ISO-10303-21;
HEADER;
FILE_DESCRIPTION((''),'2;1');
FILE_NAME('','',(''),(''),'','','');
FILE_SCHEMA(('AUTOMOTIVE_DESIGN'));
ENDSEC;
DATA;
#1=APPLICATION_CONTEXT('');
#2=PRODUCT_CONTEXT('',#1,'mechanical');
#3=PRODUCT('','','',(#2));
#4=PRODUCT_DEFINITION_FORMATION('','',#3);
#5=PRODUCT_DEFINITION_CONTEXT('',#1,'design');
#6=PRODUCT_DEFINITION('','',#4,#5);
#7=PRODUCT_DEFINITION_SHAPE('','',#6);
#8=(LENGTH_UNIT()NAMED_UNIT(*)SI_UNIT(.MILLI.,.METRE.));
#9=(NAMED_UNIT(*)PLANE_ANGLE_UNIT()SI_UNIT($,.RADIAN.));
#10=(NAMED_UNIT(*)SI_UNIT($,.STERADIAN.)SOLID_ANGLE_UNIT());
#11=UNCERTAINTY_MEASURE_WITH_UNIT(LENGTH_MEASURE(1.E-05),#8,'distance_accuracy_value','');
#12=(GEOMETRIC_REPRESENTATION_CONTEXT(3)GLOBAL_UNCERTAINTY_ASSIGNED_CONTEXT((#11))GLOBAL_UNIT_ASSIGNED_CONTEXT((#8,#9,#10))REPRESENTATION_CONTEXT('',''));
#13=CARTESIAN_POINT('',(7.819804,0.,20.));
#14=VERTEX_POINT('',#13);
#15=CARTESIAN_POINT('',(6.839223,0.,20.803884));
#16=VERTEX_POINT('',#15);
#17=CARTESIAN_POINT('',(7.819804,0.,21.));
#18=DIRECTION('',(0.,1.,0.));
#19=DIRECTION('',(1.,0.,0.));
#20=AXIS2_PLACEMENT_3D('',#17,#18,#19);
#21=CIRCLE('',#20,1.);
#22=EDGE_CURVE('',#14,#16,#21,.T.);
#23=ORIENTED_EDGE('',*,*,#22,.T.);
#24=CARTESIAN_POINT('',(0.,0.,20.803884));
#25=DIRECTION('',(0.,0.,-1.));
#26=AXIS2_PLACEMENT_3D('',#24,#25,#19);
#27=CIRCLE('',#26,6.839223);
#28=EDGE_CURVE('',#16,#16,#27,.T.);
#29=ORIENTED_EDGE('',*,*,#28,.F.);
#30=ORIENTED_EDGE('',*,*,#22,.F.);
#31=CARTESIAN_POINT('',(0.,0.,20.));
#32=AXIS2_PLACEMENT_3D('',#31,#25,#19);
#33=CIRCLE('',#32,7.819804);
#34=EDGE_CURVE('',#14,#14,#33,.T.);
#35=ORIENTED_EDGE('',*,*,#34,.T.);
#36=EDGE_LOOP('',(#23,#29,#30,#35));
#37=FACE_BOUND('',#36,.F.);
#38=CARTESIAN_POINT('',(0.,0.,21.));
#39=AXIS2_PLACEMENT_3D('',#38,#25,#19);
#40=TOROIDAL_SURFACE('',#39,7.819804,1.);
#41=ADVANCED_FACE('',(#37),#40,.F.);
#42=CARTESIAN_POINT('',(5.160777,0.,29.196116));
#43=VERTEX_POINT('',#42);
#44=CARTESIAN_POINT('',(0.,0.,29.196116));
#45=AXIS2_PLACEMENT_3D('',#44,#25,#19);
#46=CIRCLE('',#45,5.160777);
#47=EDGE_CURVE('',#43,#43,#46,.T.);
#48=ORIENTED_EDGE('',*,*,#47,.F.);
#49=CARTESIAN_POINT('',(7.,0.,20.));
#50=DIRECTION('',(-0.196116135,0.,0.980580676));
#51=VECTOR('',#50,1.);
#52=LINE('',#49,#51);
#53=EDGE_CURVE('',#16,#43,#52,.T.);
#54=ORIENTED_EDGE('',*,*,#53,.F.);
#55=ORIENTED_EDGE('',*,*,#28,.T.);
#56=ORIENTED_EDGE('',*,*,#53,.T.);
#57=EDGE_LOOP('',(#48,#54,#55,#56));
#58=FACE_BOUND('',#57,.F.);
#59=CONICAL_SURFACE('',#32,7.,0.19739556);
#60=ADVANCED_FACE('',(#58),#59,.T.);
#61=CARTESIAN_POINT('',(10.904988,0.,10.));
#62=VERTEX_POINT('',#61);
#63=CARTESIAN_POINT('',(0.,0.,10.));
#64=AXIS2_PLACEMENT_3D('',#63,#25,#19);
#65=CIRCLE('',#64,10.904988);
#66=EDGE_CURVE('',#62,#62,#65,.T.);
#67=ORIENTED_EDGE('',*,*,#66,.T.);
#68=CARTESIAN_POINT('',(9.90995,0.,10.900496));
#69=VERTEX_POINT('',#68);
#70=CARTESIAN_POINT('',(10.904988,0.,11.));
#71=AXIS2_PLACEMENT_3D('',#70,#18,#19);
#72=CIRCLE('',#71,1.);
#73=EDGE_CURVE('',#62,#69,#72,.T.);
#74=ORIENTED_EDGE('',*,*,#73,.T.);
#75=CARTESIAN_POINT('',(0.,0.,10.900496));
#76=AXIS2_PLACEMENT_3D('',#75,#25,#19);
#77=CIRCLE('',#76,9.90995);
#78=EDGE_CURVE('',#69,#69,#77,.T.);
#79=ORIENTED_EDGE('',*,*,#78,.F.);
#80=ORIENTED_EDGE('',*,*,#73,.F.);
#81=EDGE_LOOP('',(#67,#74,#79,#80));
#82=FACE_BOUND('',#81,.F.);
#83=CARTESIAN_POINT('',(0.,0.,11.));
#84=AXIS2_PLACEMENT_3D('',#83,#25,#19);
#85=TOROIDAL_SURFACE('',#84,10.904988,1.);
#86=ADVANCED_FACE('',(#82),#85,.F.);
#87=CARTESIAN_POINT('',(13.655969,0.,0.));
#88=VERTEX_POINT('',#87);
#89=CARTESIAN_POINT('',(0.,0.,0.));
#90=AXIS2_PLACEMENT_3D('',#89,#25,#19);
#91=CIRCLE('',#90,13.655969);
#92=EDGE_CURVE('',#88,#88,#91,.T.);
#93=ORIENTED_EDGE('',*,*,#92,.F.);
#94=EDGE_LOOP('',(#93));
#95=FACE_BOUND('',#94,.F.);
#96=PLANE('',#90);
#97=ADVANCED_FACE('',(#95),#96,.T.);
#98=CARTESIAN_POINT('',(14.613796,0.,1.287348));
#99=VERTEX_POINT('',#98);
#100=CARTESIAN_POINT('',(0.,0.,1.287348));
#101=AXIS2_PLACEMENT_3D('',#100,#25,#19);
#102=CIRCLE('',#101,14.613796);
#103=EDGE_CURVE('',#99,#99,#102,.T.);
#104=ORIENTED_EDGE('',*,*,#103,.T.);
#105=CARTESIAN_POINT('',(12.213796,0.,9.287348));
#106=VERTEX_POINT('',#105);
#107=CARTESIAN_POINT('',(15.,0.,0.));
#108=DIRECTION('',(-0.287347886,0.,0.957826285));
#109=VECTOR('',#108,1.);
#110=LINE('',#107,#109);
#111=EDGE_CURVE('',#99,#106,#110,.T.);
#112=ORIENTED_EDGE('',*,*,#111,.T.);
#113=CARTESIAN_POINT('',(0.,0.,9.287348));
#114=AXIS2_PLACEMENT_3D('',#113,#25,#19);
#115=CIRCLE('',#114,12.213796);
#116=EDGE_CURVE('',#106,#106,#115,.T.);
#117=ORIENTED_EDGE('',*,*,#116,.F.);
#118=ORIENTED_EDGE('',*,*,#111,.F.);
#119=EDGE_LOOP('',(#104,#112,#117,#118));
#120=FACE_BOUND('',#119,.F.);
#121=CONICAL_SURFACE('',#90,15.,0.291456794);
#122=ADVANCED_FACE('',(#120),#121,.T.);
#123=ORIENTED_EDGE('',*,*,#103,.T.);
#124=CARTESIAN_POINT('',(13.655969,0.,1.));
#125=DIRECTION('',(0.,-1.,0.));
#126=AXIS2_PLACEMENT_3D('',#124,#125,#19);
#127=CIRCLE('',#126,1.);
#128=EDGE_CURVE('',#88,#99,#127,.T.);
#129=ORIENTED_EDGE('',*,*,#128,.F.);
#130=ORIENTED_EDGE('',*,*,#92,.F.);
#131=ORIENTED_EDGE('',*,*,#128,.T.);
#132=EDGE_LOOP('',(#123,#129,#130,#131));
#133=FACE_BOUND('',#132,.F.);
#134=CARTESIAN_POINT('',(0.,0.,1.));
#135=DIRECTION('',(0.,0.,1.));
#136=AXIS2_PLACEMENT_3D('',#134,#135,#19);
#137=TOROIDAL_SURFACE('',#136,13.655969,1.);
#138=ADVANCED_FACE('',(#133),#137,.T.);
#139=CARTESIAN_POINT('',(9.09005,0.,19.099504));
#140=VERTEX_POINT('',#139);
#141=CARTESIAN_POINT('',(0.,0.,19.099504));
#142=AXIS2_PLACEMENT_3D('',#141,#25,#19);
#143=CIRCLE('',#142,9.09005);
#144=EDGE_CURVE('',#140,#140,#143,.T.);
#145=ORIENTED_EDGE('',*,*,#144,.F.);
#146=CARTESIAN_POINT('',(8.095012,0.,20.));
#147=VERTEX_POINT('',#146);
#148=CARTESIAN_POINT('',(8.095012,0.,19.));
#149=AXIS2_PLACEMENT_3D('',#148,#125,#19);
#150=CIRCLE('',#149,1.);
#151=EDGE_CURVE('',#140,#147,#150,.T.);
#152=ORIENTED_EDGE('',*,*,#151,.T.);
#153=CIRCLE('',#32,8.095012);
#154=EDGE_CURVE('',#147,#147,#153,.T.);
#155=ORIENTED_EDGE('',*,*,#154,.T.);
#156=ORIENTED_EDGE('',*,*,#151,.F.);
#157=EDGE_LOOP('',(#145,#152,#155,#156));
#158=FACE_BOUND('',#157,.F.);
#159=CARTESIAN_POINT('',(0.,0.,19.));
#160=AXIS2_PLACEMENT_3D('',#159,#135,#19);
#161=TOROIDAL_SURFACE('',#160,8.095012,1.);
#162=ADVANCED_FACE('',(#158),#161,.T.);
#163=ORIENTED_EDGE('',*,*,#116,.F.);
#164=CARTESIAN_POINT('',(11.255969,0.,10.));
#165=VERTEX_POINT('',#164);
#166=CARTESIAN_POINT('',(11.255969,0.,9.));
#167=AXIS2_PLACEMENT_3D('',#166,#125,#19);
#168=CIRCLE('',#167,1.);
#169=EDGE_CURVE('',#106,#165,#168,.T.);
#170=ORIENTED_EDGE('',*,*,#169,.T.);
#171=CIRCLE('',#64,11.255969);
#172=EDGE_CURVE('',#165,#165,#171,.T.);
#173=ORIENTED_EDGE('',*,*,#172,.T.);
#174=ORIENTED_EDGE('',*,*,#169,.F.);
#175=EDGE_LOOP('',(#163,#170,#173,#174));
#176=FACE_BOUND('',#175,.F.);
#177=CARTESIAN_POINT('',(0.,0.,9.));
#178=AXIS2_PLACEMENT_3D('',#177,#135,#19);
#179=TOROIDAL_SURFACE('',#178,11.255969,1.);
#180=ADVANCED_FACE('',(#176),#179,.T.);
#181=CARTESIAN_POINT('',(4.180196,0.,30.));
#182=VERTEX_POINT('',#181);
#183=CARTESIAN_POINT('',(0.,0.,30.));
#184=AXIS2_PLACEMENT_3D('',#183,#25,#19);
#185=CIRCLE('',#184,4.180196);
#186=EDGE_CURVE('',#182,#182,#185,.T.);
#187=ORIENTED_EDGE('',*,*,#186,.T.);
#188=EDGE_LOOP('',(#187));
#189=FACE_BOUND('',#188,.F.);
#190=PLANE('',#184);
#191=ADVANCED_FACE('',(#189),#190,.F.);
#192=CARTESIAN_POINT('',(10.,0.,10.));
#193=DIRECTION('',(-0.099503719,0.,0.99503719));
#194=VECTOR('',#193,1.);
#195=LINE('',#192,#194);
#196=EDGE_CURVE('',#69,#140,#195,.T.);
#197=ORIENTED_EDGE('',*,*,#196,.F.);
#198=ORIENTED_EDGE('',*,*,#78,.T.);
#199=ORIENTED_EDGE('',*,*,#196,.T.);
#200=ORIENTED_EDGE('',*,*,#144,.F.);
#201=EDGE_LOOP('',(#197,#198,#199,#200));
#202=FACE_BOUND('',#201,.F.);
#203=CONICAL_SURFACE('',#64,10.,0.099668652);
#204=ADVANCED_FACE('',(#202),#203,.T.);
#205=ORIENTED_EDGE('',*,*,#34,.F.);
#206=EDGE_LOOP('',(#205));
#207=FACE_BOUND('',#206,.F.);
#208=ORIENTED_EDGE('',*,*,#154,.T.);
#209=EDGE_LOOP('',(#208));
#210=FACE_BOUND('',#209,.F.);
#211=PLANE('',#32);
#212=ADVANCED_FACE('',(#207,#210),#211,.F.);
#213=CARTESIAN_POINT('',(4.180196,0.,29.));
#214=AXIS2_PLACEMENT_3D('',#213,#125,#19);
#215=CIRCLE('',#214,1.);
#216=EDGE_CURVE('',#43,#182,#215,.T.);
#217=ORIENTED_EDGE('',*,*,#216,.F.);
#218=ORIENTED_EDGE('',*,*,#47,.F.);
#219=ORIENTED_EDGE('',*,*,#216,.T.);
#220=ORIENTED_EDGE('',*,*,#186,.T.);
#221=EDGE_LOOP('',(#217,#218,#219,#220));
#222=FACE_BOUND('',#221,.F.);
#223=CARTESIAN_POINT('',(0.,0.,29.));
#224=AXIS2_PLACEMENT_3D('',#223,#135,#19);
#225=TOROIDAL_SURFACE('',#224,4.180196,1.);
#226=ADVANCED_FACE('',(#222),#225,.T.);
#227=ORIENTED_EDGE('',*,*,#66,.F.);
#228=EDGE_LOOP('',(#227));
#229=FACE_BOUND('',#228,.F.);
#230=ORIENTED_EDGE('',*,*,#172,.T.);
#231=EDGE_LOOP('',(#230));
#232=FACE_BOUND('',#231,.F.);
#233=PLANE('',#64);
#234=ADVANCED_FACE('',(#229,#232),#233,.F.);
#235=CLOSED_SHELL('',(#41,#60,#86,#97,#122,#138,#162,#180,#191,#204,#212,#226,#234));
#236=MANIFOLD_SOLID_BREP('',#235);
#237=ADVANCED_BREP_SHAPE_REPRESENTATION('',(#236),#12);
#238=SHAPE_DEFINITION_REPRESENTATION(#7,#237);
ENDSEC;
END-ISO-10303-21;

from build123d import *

# Parameters (mm, degrees)
F2_R = 1


with BuildPart() as f1:
    # F0 (on Front) → F1 (revolve)
    with BuildSketch(Plane.XZ):
        Polygon((0, 20), (0, 10), (0, 0), (15, 0), (12, 10), (10, 10), (9, 20), (7, 20), (5, 30), (0, 30), align=None)
    revolve(axis=Axis((0, 0, 5), (0, 0, -1)))

    # F2
    f2_edges = [f1.edges().sort_by_distance(p)[0] for p in [
        (-12, 0, 10),
        (-10, 0, 10),
        (-9, 0, 20),
        (-15, 0, 0),
        (-7, 0, 20),
        (-5, 0, 30),
    ]]
    fillet(f2_edges, radius=F2_R)


solid = f1.part
